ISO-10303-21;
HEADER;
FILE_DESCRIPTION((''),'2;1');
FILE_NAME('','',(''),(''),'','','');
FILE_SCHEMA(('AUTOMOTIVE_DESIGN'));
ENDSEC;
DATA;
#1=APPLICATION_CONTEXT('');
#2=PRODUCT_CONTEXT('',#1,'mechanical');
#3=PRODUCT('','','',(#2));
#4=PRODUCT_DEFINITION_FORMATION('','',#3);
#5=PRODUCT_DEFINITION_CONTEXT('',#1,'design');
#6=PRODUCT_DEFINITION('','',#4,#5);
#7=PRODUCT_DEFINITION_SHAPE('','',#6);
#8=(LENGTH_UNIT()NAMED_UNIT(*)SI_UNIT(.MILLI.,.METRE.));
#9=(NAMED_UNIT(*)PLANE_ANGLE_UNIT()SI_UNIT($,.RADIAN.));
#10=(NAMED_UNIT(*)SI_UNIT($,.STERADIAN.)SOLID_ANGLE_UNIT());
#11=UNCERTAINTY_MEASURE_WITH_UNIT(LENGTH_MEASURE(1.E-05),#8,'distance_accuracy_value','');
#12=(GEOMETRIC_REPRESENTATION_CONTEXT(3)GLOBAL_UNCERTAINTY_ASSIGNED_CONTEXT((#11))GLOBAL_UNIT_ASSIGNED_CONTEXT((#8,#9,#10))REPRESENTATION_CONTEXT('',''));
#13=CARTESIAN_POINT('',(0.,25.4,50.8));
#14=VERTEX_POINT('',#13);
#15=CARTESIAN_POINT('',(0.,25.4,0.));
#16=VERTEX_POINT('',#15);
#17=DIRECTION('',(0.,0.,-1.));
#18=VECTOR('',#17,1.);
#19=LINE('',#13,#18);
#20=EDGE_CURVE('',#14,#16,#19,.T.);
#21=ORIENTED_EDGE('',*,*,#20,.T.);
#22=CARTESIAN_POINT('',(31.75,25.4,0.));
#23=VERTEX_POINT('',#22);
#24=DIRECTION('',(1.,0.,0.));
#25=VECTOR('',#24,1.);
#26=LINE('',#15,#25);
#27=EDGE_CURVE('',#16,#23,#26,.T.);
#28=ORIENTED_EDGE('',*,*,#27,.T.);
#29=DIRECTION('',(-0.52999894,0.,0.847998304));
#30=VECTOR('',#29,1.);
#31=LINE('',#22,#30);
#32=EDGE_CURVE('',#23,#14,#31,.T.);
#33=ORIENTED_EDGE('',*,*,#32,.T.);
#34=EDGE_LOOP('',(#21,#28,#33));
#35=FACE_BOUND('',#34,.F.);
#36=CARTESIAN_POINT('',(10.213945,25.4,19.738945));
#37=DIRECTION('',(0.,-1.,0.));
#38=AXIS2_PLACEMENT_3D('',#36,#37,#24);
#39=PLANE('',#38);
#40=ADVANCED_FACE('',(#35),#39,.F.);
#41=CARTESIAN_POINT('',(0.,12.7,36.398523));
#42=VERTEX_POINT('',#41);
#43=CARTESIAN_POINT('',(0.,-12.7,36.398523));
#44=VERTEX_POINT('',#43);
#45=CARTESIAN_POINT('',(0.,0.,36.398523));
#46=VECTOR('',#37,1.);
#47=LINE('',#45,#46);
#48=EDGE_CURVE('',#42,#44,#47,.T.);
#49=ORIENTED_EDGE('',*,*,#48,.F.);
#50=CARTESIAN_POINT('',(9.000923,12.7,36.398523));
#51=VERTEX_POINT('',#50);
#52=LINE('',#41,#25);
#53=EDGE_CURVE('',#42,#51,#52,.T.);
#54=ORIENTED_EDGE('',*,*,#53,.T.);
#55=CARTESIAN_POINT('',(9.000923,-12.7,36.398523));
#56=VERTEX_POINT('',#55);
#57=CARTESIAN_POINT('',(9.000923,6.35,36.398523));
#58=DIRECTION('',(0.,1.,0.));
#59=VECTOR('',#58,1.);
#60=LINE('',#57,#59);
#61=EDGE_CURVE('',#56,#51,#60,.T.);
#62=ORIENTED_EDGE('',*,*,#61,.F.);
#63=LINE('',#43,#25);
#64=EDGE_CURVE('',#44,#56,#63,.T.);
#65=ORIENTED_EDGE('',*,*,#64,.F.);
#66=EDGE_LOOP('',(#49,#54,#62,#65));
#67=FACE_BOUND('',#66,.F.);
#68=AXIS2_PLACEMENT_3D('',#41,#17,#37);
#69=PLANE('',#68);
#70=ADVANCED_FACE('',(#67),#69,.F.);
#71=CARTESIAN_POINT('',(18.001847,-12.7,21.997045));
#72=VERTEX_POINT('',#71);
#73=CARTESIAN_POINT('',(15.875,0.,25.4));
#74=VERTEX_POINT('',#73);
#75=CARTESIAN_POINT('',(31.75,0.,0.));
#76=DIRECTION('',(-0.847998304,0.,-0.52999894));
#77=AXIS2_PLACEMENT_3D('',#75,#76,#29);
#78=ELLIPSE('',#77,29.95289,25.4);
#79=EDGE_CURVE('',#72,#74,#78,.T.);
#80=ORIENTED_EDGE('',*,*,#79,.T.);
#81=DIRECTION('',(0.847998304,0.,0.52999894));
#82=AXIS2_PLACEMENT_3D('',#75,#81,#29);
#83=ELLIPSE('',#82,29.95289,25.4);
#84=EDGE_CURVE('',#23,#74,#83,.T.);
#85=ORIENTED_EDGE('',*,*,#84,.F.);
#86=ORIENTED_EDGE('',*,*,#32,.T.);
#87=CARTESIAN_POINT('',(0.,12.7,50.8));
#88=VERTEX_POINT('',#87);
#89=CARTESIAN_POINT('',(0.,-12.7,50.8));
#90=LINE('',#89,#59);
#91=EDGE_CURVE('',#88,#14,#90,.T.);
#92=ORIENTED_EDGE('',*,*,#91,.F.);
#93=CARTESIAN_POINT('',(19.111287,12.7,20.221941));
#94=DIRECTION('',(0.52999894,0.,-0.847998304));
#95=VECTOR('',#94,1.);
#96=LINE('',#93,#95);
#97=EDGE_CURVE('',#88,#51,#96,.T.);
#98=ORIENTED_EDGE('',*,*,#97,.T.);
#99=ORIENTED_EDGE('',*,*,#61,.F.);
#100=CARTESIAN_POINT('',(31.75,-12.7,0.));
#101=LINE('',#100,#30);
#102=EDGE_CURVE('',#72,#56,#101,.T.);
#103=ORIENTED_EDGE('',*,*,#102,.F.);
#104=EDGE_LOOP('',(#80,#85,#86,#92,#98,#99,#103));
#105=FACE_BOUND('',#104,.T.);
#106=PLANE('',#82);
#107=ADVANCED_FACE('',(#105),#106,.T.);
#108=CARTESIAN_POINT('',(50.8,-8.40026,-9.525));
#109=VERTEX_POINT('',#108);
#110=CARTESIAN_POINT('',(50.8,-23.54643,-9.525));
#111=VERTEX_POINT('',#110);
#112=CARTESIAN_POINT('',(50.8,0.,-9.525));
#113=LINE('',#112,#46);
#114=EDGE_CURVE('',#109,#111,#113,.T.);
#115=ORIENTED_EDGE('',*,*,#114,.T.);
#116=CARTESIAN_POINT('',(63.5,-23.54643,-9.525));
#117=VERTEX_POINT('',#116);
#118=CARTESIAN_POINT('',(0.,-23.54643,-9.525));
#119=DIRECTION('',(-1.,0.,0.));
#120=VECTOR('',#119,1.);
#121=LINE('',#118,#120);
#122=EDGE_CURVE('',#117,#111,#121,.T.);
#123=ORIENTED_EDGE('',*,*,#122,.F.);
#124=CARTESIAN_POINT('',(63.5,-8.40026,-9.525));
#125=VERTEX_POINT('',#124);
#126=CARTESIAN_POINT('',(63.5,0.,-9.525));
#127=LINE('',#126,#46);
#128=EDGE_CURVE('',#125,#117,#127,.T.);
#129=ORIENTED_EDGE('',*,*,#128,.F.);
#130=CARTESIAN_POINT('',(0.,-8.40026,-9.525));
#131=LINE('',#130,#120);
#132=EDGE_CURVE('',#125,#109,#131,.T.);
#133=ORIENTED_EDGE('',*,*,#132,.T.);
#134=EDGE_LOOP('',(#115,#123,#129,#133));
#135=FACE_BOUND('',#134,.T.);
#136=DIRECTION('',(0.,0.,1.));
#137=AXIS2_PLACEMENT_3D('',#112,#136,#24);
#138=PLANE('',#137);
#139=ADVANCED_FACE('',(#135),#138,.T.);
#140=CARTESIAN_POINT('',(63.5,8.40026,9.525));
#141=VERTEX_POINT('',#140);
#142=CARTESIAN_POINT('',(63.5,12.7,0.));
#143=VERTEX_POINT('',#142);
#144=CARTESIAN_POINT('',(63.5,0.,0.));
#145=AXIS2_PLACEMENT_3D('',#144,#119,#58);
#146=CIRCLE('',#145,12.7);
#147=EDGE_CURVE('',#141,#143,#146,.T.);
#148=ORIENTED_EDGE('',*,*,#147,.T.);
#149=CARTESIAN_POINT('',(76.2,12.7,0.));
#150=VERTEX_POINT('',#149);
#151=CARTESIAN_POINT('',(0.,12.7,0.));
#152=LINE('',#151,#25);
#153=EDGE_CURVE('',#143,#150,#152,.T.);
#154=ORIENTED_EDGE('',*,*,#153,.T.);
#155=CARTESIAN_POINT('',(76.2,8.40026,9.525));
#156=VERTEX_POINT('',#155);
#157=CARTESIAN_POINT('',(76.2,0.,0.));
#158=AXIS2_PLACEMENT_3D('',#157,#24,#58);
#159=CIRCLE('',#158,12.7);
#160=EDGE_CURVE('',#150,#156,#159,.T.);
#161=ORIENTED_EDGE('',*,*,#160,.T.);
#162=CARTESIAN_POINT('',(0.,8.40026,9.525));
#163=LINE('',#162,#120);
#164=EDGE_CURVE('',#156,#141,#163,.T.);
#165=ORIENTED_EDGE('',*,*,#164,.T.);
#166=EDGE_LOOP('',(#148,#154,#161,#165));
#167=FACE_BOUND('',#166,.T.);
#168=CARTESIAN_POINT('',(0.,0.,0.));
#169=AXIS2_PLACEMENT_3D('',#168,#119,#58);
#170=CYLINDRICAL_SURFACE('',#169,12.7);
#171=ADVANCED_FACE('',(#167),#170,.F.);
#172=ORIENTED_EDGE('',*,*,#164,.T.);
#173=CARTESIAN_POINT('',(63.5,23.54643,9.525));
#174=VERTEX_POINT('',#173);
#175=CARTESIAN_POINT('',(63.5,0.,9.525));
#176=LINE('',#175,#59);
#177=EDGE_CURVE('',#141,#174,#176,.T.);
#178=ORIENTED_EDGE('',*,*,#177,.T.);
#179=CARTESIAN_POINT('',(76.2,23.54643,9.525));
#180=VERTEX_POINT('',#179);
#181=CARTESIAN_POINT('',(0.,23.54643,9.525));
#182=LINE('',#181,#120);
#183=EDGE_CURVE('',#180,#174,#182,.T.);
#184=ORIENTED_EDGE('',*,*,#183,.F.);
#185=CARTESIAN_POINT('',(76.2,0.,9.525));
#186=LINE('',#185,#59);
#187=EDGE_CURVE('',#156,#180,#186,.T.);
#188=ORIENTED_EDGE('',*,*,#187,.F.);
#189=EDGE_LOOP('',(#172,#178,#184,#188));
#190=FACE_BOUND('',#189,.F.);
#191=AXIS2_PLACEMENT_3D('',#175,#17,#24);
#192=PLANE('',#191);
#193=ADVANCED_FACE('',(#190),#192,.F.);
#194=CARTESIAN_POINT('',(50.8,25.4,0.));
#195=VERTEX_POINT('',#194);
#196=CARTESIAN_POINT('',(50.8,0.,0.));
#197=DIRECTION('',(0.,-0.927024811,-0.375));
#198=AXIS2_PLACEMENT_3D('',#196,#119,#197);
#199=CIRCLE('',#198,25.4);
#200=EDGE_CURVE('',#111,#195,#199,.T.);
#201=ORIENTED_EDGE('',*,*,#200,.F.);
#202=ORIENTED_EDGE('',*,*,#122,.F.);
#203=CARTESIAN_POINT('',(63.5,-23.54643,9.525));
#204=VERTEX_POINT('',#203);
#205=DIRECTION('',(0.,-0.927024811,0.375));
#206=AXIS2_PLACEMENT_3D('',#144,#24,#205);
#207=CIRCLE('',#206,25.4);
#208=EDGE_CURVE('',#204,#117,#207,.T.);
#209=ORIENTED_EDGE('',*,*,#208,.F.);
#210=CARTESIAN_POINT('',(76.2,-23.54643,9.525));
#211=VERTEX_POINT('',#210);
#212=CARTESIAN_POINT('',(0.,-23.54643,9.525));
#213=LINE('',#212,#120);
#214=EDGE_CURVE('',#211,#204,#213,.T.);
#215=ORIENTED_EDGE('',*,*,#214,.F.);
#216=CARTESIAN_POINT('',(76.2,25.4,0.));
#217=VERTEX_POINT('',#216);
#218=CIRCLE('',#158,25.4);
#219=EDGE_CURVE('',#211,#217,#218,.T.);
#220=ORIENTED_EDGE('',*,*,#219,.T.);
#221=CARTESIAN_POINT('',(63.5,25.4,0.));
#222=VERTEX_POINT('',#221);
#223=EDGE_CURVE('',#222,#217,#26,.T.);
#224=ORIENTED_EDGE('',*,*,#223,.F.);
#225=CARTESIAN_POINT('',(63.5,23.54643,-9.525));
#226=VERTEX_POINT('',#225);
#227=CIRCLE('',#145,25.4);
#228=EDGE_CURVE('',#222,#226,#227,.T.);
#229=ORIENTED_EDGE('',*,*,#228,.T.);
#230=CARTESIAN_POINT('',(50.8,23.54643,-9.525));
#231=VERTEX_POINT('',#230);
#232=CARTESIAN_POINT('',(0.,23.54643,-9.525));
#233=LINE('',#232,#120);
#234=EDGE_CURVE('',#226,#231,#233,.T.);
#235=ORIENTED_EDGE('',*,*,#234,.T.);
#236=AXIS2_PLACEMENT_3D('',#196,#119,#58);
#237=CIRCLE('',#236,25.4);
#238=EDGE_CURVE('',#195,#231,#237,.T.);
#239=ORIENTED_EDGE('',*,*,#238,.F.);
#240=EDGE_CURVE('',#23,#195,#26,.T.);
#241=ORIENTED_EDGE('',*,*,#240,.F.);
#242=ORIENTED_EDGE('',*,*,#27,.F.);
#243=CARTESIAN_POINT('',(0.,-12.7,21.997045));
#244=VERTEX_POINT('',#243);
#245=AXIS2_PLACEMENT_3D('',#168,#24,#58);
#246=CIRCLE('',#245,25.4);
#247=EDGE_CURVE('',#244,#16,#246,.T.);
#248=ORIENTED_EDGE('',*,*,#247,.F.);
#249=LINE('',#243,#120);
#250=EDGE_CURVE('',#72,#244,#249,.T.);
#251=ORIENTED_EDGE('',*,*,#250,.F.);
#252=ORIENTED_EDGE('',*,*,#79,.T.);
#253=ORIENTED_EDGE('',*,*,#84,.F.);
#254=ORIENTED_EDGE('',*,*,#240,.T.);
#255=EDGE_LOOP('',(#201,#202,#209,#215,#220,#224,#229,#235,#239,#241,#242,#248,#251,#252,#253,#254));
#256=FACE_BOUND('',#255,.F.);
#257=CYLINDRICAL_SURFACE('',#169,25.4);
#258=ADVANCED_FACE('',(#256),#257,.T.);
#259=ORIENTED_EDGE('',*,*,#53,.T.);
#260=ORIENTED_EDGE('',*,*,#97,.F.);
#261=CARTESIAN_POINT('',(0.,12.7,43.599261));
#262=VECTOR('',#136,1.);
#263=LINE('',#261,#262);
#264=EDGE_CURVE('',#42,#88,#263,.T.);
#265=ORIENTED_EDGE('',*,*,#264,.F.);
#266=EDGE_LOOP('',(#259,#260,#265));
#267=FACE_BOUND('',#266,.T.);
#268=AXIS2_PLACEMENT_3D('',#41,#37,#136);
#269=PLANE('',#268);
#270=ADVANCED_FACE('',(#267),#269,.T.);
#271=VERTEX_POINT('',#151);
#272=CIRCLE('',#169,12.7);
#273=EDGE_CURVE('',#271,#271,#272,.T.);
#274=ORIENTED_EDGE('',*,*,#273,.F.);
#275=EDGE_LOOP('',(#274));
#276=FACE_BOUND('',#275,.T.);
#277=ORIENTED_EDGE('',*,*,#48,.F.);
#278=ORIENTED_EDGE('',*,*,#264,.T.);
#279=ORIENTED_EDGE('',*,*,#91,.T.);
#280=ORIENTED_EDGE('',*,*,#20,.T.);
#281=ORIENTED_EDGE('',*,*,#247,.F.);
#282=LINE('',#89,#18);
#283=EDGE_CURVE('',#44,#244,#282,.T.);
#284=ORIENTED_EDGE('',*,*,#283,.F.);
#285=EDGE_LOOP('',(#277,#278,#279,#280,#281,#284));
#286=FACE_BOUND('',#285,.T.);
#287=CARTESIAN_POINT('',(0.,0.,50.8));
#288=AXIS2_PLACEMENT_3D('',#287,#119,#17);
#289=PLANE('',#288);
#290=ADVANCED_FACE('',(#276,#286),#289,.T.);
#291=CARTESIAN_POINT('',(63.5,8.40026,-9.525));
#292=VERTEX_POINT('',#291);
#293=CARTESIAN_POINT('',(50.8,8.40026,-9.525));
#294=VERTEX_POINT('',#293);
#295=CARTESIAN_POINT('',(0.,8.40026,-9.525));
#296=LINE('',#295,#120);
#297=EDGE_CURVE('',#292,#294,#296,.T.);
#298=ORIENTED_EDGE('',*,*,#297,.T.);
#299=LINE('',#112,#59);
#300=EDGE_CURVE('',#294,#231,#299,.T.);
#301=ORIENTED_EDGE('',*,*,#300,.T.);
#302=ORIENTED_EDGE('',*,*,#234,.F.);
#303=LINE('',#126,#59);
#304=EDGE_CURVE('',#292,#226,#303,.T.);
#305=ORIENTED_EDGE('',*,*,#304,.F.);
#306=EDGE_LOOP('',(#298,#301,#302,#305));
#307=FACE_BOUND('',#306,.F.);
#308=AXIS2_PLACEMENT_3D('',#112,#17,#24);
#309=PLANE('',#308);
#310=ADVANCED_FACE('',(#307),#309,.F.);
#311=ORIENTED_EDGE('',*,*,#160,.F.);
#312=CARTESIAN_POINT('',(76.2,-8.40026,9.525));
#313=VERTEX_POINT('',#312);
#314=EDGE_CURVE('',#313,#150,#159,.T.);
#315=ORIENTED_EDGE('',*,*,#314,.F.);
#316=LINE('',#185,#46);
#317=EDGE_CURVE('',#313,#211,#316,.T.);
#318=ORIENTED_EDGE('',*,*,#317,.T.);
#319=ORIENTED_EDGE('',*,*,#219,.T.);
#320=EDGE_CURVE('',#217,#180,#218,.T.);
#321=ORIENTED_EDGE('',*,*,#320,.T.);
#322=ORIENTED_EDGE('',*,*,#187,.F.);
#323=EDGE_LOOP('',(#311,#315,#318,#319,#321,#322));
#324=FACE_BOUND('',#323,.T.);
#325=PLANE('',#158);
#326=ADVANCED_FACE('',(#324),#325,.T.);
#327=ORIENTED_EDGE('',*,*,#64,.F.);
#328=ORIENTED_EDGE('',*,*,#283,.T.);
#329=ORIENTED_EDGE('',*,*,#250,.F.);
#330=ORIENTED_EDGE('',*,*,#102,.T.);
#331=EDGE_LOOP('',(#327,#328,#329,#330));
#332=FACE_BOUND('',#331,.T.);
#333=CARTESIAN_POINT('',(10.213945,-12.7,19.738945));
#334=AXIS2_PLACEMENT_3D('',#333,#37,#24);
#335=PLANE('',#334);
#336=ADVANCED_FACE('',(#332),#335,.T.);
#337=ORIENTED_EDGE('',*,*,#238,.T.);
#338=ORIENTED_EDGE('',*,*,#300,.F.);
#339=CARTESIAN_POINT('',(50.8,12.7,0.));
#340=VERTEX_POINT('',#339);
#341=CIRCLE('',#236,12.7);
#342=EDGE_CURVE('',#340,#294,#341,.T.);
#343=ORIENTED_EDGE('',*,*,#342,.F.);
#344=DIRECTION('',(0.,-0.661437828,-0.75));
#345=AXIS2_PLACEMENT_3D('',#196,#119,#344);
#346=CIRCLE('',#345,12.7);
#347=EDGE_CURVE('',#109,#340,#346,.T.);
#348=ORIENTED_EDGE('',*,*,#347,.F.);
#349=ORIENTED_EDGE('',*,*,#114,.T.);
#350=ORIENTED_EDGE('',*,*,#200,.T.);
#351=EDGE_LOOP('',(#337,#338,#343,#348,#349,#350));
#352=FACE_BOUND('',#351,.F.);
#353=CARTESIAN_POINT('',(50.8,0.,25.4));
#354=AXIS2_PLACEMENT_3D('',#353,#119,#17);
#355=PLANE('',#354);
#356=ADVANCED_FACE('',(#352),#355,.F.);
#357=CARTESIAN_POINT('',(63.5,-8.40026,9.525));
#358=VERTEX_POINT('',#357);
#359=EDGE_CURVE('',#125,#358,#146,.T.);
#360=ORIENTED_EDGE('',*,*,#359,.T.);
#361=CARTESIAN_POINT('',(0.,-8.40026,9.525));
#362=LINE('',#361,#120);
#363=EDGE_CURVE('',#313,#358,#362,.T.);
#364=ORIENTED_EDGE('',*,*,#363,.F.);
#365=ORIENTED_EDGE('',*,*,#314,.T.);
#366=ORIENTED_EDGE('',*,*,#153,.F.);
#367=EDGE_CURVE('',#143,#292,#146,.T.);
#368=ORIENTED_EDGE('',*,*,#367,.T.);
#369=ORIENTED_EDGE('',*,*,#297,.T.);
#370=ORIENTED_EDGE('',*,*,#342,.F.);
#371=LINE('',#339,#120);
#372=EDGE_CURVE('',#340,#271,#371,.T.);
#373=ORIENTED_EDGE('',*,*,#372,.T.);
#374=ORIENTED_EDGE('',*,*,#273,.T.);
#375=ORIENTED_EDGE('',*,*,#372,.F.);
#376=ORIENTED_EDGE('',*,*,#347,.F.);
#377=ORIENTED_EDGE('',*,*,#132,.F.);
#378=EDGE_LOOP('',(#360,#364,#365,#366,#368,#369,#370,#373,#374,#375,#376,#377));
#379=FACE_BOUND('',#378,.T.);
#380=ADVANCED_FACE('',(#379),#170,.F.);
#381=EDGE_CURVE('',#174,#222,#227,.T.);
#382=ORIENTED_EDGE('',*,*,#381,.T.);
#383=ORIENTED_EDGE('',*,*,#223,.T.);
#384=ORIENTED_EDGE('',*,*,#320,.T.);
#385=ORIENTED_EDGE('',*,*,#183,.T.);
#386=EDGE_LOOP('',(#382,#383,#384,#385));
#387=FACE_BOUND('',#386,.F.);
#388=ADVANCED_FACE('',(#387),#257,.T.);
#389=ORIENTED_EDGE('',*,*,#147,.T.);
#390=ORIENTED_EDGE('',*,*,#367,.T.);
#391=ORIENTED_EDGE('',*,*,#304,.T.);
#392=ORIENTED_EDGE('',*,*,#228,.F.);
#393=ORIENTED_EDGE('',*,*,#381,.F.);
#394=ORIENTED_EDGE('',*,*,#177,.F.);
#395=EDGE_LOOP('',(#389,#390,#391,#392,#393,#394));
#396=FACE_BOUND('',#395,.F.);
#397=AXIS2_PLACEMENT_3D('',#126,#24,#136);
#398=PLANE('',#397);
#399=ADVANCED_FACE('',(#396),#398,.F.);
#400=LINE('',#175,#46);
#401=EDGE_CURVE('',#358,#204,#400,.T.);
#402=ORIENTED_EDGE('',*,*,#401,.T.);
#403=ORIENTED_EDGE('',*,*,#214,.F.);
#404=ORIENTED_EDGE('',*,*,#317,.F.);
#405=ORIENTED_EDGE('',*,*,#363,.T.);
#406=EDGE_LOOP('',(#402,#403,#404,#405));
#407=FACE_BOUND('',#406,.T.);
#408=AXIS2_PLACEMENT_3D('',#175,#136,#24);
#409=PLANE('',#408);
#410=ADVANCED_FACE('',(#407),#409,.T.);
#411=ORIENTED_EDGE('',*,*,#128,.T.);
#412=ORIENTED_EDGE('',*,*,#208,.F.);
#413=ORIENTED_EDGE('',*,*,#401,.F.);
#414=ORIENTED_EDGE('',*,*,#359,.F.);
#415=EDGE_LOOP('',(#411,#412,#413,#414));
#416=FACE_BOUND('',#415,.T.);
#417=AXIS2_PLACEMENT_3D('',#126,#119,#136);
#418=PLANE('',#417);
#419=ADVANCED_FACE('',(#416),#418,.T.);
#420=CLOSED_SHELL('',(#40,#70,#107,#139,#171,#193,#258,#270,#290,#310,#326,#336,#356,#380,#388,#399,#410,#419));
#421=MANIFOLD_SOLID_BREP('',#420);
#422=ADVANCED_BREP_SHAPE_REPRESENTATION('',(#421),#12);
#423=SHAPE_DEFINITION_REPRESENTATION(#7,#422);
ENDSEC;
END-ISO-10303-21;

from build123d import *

# Parameters (mm, degrees)
F0_R          = 25.4
F0_R_2        = 12.7
F1_DEPTH      = 76.2
F3_DEPTH      = 25.401
F3_DEPTH_BACK = 25.4
F5_DEPTH      = 25.4
F5_DEPTH_BACK = 12.7
F6_W          = 25.4
F6_H          = 14.4014773719
F7_DEPTH      = 76.201
F8_DEPTH      = 76.201


with BuildPart() as f1:
    # F0 (on Right) → F1 (new body)
    with BuildSketch(Plane.YZ):
        Circle(F0_R)
        Circle(F0_R_2, mode=Mode.SUBTRACT)
    extrude(amount=F1_DEPTH)

    # F2 (on Front) → F3 (cut, two sides)
    with BuildSketch(Plane.XZ) as f3_sk:
        Polygon((76.2, 25.4), (50.8, 25.4), (50.8, -9.525), (63.5, -9.525), (63.5, 9.525), (76.2, 9.525), align=None)
    extrude(amount=-F3_DEPTH, mode=Mode.SUBTRACT)
    extrude(f3_sk.sketch, amount=F3_DEPTH_BACK, mode=Mode.SUBTRACT)

    # F4 (on Front) → F5 (join, two sides)
    with BuildSketch(Plane.XZ) as f5_sk:
        Polygon((31.75, 0), (0, 50.8), (0, 0), align=None)
    extrude(amount=-F5_DEPTH)
    extrude(f5_sk.sketch, amount=F5_DEPTH_BACK)

    # F6 (on face) → F7 (cut, through all)
    with BuildSketch(Plane(origin=(0, 0, 0), x_dir=(0, -1, 0), z_dir=(-1, 0, 0))):
        with Locations((0, 43.599261314)):
            Rectangle(F6_W, F6_H)
    extrude(amount=-F7_DEPTH, mode=Mode.SUBTRACT)

    # F0 (on Right) → F8 (cut, through all)
    with BuildSketch(Plane.YZ):
        Circle(F0_R_2)
    extrude(amount=F8_DEPTH, mode=Mode.SUBTRACT)


solid = f1.part
